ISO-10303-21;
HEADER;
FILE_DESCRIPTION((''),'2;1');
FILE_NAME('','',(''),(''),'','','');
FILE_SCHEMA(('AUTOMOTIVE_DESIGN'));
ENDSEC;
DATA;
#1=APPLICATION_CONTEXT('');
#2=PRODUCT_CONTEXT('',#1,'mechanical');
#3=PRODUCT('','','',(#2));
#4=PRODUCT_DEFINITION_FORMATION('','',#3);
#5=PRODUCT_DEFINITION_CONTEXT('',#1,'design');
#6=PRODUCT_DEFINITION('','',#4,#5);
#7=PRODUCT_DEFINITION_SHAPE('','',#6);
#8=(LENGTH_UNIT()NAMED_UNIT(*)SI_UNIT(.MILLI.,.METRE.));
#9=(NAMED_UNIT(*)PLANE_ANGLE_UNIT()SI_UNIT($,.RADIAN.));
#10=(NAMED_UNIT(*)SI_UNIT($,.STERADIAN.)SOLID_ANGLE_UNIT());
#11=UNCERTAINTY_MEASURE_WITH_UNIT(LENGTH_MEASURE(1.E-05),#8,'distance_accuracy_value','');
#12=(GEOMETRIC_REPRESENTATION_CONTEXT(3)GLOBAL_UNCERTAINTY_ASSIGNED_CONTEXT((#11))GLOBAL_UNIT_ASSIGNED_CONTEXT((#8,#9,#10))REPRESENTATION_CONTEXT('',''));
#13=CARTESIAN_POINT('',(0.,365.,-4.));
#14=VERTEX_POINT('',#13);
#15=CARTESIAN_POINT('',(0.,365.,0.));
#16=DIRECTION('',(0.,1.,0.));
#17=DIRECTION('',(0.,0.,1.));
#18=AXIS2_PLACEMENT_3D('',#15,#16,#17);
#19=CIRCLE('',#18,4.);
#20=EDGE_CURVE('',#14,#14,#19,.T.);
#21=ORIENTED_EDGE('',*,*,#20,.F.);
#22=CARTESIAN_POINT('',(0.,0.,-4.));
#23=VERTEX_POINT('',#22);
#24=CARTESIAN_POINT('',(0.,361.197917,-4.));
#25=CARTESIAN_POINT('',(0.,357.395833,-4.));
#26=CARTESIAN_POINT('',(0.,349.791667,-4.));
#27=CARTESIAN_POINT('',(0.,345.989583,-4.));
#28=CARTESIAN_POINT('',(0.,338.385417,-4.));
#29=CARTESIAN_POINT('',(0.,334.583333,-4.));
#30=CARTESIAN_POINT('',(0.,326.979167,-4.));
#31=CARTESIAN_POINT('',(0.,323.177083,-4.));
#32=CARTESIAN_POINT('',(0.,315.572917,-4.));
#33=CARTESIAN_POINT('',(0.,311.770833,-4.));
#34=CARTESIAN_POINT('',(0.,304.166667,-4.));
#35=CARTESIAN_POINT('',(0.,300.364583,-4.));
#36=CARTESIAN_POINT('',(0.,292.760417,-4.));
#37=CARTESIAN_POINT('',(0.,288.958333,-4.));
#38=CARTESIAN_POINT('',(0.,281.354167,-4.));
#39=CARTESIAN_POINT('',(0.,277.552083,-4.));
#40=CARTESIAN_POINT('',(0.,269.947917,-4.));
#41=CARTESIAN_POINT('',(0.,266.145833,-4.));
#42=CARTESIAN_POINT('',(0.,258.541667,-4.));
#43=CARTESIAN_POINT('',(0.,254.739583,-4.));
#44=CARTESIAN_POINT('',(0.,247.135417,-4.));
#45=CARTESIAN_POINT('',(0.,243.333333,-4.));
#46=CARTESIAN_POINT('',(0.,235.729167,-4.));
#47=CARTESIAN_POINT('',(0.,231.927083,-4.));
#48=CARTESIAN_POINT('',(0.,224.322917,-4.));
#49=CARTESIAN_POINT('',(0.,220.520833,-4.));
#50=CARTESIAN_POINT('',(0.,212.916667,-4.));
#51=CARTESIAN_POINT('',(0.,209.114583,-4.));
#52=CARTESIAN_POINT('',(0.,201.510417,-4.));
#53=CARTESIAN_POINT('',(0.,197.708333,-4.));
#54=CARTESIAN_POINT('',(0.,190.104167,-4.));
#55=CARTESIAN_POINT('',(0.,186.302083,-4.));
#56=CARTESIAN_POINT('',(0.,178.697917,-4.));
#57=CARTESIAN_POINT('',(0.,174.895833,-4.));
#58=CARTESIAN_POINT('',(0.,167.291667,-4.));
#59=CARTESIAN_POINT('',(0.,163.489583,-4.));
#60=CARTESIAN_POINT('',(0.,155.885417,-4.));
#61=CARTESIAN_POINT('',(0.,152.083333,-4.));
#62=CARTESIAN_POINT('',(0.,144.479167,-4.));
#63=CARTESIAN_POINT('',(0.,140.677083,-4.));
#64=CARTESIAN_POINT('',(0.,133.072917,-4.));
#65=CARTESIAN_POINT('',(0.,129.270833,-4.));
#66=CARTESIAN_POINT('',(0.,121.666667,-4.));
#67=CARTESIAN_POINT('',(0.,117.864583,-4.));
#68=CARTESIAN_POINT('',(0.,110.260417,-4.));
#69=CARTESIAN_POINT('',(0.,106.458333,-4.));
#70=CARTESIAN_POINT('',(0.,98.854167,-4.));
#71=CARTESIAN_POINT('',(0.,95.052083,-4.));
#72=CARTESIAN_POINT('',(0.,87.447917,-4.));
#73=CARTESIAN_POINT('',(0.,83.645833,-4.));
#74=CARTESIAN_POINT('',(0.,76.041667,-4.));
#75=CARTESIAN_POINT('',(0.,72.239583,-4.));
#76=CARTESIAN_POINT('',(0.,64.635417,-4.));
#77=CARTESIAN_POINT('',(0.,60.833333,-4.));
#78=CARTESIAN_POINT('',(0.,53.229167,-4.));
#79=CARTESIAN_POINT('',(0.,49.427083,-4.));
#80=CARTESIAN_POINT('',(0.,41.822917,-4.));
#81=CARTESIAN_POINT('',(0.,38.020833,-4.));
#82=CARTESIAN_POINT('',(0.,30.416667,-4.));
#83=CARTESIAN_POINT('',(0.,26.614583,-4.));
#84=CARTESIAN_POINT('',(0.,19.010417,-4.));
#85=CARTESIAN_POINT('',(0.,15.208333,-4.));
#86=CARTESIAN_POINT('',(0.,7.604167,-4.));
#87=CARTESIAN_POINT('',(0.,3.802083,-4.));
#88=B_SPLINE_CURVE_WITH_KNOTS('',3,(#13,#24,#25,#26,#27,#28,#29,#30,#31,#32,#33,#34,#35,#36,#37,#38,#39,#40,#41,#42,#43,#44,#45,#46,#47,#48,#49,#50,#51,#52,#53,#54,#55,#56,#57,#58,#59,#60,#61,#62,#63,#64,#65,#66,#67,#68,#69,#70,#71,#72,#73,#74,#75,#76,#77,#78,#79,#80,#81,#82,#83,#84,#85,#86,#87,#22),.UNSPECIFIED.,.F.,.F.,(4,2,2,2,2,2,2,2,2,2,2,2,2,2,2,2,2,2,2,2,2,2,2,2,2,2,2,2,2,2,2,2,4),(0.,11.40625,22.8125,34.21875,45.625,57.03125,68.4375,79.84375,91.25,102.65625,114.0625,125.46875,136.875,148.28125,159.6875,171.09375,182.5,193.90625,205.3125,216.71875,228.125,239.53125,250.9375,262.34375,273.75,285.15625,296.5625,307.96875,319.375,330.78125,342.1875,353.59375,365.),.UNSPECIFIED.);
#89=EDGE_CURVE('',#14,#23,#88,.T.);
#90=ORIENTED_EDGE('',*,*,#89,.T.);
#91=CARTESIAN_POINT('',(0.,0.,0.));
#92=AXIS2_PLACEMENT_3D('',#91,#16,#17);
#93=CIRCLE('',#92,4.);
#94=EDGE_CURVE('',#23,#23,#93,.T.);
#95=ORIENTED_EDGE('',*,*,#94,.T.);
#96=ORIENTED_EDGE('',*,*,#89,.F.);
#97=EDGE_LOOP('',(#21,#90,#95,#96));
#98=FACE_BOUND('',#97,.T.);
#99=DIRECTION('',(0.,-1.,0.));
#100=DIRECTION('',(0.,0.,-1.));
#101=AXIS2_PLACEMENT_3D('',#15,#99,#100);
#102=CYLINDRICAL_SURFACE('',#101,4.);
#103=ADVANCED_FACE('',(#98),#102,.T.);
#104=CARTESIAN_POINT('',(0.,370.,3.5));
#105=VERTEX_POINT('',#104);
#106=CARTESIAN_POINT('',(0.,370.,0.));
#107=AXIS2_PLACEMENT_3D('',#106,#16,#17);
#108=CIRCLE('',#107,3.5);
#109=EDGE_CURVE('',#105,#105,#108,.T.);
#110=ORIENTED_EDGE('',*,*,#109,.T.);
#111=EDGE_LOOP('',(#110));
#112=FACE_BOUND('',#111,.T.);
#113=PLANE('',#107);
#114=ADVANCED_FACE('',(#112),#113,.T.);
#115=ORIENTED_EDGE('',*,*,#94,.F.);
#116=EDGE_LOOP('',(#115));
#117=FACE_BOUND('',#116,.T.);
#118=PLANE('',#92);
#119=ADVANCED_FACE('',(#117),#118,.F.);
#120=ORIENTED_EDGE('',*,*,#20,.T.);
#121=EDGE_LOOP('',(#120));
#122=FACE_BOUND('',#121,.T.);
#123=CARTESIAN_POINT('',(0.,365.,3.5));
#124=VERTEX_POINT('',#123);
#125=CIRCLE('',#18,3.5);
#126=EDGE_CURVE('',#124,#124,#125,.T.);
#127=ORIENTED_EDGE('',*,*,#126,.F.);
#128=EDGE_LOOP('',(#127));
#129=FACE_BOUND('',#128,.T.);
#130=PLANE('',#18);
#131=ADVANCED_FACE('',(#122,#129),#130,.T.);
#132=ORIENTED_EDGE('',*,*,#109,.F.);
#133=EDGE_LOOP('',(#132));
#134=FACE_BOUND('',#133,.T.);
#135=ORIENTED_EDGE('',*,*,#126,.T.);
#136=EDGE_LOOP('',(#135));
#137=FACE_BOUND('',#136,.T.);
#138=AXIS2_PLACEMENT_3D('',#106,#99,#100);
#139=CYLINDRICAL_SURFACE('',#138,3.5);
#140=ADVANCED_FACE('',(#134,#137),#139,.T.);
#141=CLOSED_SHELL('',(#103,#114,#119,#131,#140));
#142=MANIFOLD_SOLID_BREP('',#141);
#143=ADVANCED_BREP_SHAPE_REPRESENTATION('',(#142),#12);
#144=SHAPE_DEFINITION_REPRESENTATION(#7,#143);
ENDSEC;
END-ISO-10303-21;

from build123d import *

# Parameters (mm, degrees)
ESQUISSE1_R        = 4
BOSS_EXTRU_1_DEPTH = 365
ESQUISSE2_R        = 3.5
BOSS_EXTRU_2_DEPTH = 5


with BuildPart() as part:
    # Esquisse1 → Boss.-Extru.1 (new body)
    with BuildSketch(Plane(origin=(0, 0, 0), x_dir=(1, 0, 0), z_dir=(0, 1, 0))):
        with Locations(Location((0, 0, 0), (0, 0, 90))):
            Circle(ESQUISSE1_R)
    extrude(amount=BOSS_EXTRU_1_DEPTH)

    # Esquisse2 → Boss.-Extru.2 (add)
    with BuildSketch(Plane(origin=(0, 365, 0), x_dir=(1, 0, 0), z_dir=(0, 1, 0))):
        with Locations(Location((0, 0, 0), (0, 0, 270))):
            Circle(ESQUISSE2_R)
    extrude(amount=BOSS_EXTRU_2_DEPTH)


solid = part.part
